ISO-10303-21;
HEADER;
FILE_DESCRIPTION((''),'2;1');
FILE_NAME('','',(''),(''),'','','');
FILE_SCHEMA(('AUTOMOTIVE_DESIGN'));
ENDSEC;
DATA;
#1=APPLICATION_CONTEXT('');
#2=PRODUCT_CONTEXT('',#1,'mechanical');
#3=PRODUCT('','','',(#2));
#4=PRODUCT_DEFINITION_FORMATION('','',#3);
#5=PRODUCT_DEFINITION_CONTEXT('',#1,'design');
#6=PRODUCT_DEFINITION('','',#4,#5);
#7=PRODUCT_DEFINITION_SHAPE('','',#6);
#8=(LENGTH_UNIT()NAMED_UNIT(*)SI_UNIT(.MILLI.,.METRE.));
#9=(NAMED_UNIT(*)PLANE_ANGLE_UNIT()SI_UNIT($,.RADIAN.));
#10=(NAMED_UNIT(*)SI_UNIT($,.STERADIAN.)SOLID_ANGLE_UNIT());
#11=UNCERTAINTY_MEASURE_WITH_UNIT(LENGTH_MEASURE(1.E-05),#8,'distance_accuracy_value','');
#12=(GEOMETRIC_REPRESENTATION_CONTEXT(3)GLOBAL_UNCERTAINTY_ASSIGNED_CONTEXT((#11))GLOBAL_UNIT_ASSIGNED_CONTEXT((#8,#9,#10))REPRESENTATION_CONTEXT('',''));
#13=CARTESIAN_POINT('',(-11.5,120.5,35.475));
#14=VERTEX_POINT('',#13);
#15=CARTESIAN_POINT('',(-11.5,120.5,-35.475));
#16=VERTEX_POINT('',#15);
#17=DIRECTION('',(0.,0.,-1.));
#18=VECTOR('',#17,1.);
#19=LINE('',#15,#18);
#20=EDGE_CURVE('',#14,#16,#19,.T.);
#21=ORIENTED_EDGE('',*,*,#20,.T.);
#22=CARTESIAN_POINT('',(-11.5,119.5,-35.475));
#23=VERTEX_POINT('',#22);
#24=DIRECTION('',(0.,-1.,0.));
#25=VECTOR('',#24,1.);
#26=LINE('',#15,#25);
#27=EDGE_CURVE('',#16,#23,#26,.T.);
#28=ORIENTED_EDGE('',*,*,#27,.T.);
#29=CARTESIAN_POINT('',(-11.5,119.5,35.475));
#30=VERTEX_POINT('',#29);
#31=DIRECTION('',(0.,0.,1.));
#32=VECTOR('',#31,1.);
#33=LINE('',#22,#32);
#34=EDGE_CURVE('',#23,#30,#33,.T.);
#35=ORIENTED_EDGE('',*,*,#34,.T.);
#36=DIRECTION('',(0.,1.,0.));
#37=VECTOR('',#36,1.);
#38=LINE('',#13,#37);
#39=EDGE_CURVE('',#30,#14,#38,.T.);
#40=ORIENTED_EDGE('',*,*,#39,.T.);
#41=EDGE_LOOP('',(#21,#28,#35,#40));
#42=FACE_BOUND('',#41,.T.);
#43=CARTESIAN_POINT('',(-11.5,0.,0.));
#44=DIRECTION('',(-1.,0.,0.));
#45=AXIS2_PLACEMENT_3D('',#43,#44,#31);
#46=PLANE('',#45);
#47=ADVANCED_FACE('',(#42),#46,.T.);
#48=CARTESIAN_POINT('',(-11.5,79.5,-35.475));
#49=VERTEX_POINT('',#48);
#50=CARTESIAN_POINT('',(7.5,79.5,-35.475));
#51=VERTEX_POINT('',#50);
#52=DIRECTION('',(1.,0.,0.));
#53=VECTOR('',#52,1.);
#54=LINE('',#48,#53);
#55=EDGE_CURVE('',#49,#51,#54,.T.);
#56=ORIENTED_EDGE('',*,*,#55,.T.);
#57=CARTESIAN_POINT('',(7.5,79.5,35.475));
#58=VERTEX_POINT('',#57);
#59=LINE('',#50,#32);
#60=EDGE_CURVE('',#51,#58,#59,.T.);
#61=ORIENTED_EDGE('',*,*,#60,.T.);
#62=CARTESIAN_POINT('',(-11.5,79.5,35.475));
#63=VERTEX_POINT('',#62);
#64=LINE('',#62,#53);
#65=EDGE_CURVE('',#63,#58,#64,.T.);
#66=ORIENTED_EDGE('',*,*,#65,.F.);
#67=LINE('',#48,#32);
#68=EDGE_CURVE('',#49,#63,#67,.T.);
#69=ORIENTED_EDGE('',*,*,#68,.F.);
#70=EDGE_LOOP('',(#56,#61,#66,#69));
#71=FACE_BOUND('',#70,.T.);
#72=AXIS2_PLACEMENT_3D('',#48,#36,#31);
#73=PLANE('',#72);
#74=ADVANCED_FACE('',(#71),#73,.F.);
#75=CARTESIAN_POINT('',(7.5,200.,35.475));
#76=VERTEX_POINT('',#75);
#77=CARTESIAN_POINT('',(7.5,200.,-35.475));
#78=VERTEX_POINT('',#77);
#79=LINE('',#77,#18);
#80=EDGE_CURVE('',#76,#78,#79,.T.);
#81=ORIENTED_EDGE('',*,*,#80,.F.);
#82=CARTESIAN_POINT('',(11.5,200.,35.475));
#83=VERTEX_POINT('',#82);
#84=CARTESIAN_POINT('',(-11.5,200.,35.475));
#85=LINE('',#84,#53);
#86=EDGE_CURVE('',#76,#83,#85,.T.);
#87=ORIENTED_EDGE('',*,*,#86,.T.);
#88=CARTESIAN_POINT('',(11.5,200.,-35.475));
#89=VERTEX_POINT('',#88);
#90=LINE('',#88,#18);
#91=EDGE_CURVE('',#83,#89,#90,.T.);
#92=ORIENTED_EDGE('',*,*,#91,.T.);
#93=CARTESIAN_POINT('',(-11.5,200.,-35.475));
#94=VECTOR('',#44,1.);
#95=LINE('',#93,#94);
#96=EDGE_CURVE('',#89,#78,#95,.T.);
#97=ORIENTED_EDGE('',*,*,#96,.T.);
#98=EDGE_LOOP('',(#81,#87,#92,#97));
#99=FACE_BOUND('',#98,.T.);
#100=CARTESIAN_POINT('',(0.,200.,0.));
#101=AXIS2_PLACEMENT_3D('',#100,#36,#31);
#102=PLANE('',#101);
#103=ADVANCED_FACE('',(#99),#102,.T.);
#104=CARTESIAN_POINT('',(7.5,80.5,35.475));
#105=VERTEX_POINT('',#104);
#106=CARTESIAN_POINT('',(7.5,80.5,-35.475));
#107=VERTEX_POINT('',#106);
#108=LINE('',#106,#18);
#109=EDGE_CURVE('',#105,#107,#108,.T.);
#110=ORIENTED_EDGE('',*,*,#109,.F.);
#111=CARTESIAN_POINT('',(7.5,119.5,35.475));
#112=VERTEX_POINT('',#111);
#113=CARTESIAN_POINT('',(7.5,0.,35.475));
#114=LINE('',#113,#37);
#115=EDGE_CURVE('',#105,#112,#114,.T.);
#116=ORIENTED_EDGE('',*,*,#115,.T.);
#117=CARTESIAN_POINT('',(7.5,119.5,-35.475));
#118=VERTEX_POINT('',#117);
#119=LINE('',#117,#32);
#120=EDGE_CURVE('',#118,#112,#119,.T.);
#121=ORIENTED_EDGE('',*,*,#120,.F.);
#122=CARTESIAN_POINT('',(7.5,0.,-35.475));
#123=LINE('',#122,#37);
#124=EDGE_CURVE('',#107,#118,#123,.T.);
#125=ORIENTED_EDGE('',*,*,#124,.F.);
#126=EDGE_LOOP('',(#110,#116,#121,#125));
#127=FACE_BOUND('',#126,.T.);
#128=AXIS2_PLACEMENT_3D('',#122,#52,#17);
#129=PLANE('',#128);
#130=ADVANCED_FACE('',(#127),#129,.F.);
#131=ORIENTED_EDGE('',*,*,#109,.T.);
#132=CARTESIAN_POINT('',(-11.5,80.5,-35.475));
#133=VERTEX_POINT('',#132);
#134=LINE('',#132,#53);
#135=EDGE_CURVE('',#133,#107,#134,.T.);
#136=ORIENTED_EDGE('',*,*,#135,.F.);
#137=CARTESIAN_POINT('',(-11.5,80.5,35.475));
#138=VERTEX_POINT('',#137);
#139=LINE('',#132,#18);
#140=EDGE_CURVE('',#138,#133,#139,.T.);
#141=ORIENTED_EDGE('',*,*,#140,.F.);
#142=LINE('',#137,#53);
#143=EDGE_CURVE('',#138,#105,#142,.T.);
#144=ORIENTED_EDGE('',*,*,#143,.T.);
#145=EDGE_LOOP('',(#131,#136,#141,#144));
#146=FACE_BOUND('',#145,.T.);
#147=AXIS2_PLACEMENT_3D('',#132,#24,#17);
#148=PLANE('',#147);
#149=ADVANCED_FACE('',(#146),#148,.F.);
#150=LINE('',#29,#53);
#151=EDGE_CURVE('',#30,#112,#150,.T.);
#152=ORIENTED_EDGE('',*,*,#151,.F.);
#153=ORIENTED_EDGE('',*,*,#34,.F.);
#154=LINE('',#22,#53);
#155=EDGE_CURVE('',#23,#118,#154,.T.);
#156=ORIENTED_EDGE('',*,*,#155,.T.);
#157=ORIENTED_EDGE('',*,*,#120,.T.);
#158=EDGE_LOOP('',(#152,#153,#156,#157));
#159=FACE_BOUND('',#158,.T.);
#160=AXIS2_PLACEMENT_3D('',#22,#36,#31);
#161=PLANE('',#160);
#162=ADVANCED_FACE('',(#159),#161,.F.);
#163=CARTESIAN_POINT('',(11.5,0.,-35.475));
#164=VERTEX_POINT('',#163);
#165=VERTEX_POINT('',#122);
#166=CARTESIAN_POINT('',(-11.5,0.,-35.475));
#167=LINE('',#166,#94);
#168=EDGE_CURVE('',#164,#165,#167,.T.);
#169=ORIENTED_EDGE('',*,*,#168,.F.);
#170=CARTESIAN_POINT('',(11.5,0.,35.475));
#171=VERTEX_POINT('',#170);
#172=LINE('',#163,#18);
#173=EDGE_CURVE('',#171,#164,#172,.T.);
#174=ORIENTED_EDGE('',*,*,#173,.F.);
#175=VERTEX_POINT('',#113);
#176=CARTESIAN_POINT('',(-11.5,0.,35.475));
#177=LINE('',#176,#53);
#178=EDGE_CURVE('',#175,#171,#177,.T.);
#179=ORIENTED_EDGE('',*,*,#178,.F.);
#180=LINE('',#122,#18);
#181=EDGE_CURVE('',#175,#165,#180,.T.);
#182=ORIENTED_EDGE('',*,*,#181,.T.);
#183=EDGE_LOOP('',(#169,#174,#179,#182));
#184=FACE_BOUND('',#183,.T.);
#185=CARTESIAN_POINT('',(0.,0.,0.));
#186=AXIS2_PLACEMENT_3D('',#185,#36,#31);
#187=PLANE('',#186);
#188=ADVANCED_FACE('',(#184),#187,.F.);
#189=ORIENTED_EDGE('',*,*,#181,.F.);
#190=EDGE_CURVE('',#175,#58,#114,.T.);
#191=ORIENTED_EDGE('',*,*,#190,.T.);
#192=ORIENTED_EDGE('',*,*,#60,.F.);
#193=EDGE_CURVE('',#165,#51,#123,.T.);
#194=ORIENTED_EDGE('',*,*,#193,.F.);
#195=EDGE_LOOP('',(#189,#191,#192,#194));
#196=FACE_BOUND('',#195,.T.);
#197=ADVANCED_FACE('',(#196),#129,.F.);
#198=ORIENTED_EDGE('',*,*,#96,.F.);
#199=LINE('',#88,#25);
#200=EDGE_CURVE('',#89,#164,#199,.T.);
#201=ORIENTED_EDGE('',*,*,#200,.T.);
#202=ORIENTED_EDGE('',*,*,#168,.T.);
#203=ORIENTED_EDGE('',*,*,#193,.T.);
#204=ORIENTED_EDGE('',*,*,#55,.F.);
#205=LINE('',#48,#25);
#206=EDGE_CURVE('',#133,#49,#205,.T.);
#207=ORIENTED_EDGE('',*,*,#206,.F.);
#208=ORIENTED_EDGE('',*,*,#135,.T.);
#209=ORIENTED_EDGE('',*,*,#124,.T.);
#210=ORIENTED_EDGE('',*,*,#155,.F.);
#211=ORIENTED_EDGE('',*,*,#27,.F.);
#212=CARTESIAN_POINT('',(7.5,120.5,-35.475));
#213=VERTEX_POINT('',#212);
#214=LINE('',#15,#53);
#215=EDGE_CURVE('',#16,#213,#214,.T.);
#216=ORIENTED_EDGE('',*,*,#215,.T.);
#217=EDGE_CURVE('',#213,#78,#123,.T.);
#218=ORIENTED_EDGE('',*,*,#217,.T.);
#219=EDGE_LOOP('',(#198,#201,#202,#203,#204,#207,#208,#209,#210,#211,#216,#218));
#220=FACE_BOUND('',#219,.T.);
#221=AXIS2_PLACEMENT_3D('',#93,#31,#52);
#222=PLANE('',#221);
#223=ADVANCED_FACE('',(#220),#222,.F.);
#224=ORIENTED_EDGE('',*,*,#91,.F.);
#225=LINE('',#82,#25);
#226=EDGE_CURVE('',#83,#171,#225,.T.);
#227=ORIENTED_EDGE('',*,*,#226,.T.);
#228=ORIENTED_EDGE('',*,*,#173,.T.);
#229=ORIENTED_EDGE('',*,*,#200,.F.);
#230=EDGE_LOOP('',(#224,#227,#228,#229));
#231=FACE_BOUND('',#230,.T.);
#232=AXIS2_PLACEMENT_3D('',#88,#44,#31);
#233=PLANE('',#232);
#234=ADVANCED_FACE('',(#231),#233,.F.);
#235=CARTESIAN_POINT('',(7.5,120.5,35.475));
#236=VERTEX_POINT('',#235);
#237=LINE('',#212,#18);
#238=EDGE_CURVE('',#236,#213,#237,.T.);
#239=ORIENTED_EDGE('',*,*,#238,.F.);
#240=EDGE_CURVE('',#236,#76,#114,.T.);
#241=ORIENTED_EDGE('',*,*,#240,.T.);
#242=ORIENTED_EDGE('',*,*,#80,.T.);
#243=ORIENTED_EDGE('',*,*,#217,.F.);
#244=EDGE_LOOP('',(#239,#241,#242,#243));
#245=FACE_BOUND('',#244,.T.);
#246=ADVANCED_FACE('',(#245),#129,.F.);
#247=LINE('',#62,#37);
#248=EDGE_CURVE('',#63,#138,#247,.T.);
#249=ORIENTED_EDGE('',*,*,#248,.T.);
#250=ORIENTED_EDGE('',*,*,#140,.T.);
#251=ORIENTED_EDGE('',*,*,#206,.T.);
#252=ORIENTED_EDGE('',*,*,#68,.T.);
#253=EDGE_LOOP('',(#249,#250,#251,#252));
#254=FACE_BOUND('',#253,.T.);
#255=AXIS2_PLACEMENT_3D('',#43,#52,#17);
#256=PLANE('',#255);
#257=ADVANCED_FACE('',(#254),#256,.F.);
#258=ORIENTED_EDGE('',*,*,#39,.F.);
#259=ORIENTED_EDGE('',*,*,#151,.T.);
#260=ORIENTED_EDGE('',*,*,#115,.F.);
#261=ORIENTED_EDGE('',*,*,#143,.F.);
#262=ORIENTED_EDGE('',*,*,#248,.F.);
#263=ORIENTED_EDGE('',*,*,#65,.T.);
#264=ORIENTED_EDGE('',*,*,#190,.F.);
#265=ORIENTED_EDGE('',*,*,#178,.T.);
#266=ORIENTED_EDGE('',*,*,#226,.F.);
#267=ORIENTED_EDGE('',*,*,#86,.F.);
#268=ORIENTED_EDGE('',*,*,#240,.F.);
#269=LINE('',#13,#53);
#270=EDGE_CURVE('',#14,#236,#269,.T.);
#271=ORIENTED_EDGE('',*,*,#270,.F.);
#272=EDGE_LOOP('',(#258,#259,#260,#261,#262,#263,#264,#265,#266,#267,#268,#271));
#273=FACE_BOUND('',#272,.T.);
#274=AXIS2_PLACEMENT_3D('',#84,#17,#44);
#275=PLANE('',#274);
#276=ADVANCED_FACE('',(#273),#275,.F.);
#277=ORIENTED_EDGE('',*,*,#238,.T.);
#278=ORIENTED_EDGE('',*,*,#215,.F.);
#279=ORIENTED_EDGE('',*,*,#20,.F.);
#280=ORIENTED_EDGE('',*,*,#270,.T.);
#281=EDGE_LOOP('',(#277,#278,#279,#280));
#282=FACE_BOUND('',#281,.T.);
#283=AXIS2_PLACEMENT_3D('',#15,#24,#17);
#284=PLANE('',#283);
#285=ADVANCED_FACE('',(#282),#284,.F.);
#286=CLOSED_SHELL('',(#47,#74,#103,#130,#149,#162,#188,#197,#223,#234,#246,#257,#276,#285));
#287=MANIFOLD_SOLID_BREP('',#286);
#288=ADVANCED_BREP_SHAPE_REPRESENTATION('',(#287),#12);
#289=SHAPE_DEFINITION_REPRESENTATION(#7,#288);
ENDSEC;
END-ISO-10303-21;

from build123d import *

# Parameters (mm, degrees)
SKETCH1_W           = 23
SKETCH1_H           = 70.95
BOSS_EXTRUDE1_DEPTH = 200
SKETCH2_W           = 19
SKETCH2_H           = 70.95
CUT_EXTRUDE1_DEPTH  = 204.447107684
SKETCH3_W           = 70.95
SKETCH3_H           = 1
BOSS_EXTRUDE2_DEPTH = 19


with BuildPart() as part:
    # Sketch1 → Boss-Extrude1 (new body)
    with BuildSketch(Plane(origin=(0, 0, 0), x_dir=(1, 0, 0), z_dir=(0, 1, 0))):
        Rectangle(SKETCH1_W, SKETCH1_H)
    extrude(amount=BOSS_EXTRUDE1_DEPTH)

    # Sketch2 → Cut-Extrude1 (cut, through all)
    with BuildSketch(Plane(origin=(0, 200, 0), x_dir=(1, 0, 0), z_dir=(0, 1, 0))):
        with Locations((-2, 0)):
            Rectangle(SKETCH2_W, SKETCH2_H)
    extrude(amount=-CUT_EXTRUDE1_DEPTH, mode=Mode.SUBTRACT)

    # Sketch3 → Boss-Extrude2 (add)
    with BuildSketch(Plane.ZY.offset(-7.5)):
        with Locations((0, 80)):
            Rectangle(SKETCH3_W, SKETCH3_H)
        with Locations((0, 120)):
            Rectangle(SKETCH3_W, SKETCH3_H)
    extrude(amount=BOSS_EXTRUDE2_DEPTH)


solid = part.part
